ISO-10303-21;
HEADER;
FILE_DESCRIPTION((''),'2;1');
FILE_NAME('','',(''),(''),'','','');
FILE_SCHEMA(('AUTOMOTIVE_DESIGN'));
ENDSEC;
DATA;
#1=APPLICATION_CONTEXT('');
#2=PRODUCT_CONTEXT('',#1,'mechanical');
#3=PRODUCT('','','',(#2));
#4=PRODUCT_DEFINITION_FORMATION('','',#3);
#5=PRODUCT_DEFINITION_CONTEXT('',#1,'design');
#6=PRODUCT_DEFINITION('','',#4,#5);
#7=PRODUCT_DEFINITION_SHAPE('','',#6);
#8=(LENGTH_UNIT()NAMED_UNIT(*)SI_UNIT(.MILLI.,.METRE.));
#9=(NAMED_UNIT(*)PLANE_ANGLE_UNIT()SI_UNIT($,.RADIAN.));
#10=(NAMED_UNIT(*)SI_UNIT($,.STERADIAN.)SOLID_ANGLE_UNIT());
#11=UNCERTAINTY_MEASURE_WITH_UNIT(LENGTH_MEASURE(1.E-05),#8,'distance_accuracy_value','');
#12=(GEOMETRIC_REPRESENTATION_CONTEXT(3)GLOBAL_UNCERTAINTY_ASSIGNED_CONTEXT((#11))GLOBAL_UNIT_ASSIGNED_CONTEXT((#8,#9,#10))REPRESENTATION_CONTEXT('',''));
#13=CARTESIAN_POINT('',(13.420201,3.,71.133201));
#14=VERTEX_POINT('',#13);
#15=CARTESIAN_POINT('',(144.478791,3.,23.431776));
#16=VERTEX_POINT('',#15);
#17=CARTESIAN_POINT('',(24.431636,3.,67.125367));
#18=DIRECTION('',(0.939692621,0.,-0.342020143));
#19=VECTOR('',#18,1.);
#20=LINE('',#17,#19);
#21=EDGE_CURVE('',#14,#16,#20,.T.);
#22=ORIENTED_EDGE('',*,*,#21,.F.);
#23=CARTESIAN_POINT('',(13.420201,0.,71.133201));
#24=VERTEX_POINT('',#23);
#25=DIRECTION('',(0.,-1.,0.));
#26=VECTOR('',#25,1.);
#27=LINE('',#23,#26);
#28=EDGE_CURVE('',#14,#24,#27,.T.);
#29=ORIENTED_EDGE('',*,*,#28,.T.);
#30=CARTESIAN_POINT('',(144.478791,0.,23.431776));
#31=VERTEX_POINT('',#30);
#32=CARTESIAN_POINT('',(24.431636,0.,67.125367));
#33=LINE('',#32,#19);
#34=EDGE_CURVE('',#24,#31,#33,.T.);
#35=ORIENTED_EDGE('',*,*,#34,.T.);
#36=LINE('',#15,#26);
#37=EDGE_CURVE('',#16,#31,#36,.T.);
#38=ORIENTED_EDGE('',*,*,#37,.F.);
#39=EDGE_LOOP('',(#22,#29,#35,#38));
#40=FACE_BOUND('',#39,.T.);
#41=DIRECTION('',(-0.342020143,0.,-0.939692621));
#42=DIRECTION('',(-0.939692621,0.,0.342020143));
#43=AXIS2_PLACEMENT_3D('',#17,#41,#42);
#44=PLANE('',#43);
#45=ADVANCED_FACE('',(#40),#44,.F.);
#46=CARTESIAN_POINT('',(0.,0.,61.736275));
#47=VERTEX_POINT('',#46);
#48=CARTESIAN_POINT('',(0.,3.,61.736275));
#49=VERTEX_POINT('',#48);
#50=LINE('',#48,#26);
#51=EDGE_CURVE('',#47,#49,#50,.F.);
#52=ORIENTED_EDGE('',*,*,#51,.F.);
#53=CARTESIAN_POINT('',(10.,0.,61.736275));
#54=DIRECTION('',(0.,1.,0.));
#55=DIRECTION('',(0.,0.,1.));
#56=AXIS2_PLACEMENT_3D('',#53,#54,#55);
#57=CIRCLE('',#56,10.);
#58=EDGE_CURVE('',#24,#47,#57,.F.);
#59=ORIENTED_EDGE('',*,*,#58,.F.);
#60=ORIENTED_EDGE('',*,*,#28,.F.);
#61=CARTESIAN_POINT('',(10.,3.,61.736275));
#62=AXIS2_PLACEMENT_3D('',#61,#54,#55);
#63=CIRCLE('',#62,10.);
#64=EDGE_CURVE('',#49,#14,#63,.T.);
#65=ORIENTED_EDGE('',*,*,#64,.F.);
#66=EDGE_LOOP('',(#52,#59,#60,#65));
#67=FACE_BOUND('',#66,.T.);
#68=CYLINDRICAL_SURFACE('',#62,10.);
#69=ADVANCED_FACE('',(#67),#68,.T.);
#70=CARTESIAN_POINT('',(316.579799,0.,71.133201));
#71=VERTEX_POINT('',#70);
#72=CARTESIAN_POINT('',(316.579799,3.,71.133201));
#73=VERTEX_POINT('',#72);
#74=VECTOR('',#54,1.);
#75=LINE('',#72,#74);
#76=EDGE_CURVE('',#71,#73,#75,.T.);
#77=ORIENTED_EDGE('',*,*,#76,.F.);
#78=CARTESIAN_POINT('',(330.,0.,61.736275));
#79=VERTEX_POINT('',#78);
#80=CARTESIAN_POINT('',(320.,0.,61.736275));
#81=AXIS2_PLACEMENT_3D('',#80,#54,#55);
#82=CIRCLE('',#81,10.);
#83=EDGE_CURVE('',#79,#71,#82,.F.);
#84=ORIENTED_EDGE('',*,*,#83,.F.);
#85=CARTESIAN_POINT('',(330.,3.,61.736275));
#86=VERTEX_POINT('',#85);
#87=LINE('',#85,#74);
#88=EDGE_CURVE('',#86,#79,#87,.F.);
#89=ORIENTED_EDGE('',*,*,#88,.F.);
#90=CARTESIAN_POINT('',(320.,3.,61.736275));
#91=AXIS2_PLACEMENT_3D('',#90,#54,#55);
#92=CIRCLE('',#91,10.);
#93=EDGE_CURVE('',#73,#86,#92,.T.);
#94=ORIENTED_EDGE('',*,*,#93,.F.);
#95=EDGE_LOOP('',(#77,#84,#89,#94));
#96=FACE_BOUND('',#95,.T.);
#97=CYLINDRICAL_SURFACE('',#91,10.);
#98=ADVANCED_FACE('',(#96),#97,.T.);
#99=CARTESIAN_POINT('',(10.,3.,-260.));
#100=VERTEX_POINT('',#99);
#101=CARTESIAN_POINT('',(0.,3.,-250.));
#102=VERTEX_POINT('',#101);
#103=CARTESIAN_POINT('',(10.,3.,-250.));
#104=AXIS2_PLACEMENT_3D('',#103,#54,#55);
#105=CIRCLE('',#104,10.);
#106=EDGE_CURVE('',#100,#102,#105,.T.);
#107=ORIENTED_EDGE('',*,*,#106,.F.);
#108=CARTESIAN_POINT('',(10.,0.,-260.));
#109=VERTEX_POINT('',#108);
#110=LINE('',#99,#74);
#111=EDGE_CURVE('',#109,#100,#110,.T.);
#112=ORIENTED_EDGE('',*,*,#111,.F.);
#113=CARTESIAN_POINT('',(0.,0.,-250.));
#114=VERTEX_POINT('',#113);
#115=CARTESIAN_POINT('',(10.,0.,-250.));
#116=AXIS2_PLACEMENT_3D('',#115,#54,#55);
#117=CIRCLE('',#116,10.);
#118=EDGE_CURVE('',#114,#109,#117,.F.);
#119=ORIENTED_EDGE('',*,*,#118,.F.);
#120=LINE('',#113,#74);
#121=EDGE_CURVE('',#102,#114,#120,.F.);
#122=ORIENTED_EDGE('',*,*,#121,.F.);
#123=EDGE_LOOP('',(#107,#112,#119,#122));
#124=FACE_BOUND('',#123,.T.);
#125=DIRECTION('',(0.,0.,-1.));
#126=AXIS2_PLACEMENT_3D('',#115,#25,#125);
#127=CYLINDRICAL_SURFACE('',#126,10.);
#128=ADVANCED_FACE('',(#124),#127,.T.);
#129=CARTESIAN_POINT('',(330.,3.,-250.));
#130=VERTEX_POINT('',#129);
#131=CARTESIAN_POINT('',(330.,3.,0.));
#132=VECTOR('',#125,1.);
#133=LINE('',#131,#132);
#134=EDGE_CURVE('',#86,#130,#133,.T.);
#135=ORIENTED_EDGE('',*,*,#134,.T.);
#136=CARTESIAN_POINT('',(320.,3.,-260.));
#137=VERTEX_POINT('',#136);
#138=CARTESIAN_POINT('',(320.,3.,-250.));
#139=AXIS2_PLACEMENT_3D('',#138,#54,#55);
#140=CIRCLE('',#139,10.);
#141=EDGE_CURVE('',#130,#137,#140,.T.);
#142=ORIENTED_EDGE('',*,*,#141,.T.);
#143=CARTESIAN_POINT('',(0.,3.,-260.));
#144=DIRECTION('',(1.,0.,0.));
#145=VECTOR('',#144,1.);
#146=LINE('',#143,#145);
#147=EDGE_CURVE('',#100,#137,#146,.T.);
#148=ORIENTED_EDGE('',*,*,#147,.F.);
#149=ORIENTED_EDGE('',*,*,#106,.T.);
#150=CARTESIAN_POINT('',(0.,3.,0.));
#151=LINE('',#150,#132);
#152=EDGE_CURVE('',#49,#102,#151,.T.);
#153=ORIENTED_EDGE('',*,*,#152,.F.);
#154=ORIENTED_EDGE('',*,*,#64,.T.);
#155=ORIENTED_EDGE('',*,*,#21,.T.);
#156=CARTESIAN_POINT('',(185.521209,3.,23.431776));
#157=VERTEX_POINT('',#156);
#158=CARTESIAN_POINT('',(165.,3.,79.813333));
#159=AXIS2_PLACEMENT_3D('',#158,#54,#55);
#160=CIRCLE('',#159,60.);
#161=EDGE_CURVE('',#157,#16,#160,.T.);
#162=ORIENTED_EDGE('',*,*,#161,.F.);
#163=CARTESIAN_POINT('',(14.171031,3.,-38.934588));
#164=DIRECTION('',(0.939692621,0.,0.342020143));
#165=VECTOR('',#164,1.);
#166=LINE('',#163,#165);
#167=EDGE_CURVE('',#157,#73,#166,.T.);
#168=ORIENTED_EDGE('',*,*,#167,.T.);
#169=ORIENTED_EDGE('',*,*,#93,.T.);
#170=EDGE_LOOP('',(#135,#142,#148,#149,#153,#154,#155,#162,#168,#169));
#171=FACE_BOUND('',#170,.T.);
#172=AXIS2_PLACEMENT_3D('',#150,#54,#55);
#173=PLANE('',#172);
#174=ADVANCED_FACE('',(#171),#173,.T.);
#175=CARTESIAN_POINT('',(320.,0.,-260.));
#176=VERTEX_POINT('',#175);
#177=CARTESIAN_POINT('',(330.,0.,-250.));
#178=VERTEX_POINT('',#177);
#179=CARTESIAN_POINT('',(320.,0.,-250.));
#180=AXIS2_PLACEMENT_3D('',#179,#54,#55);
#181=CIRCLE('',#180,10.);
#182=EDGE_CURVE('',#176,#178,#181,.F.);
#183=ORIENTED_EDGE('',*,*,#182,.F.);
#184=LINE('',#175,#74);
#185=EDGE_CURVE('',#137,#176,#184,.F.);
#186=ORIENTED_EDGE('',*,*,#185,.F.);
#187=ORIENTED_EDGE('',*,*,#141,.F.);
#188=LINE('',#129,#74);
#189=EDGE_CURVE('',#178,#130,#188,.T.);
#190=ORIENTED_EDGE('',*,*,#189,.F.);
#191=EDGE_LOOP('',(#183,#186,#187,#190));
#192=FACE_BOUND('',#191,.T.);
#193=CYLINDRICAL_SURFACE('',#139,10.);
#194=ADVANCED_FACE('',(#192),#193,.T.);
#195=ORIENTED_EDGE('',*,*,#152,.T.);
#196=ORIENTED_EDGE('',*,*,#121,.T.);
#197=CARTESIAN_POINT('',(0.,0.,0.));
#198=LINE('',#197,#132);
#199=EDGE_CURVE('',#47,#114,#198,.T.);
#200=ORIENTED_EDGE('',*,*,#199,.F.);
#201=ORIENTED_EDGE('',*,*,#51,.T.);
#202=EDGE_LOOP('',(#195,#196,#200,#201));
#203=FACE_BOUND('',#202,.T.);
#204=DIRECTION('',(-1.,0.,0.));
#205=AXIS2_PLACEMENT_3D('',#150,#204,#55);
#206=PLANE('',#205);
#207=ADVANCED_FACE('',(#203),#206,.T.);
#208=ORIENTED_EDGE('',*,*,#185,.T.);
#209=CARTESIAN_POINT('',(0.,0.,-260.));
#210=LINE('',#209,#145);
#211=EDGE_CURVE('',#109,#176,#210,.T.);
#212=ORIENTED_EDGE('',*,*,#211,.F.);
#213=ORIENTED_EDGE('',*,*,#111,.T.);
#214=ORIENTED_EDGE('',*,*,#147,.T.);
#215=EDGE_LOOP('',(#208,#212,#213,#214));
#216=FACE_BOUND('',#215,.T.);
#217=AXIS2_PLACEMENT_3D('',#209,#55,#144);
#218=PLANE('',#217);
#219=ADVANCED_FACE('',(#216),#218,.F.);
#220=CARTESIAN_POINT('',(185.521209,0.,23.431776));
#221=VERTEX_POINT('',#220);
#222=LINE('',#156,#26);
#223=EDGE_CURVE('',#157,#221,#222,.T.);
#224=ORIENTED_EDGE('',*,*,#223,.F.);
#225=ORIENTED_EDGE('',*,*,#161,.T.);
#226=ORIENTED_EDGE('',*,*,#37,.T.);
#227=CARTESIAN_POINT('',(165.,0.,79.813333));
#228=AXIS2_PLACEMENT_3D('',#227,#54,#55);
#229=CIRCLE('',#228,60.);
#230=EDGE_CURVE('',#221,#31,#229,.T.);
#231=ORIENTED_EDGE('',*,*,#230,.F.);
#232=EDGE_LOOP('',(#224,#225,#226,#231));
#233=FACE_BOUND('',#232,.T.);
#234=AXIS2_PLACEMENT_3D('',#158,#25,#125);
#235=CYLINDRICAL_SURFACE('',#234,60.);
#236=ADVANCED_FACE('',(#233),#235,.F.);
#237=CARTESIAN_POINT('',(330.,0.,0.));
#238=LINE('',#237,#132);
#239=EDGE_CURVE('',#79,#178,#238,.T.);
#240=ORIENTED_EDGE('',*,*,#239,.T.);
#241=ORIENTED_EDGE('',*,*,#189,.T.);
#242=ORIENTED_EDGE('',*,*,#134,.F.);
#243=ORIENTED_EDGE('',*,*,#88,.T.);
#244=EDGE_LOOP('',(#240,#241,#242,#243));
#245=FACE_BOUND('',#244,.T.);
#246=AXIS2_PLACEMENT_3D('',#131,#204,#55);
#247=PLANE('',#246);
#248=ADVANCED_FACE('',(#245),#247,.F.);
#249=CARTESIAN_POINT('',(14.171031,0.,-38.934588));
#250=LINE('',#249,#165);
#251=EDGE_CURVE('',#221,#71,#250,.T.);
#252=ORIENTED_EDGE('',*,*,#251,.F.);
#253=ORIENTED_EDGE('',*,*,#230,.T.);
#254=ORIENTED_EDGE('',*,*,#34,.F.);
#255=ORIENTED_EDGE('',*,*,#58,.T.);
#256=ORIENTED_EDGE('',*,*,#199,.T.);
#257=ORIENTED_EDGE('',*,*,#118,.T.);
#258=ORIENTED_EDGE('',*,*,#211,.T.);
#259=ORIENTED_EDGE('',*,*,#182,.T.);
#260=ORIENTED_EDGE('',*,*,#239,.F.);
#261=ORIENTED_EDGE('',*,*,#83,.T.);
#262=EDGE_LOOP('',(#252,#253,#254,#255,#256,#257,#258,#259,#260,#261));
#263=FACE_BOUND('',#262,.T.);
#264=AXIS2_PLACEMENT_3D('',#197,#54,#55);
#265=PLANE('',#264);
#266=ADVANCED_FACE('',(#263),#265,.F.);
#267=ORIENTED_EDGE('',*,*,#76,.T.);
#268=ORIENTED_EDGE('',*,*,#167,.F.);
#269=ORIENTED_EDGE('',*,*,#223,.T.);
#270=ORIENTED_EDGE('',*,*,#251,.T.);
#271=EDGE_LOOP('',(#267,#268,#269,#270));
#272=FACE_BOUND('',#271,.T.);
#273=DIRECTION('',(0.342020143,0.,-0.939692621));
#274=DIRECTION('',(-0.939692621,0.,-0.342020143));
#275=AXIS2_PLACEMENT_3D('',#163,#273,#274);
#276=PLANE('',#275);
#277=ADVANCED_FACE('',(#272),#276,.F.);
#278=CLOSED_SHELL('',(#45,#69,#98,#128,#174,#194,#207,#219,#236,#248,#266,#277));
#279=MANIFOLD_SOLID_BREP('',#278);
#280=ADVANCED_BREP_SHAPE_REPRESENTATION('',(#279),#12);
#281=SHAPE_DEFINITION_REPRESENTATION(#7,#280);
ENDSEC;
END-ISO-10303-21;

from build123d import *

# Parameters (mm, degrees)
BOSS_EXTRUDE1_DEPTH = 3
CUT_EXTRUDE3_DEPTH  = 535.143239216
SKETCH6_W           = 330
SKETCH6_H           = 70
CUT_EXTRUDE4_DEPTH  = 467.700117849
FILLET1_R           = 10


with BuildPart() as part:
    # Sketch3 → Boss-Extrude1 (new body)
    with BuildSketch(Plane(origin=(0, 0, 0), x_dir=(1, 0, 0), z_dir=(0, 1, 0))):
        with BuildLine():
            Line((-36.319194267, -89.236860887), (144.478790315, -23.431776084))
            ThreePointArc((144.478790315, -23.431776084), (165.000000077, -19.813332936), (185.52120983, -23.431776136))
            Line((185.52120983, -23.431776136), (366.319192052, -89.236860081))
            ThreePointArc((366.319192052, -89.236860081), (416.877444894, -67.142834059), (397.269838057, -15.569346002))
            Line((397.269838057, -15.569346002), (344.206351456, 9.829836443))
            ThreePointArc((344.206351456, 9.829836443), (333.847680817, 19.053826006), (330, 32.379717841))
            Line((330, 32.379717841), (330, 330))
            Line((330, 330), (0, 330))
            Line((0, 330), (0, 32.379717841))
            ThreePointArc((0, 32.379717841), (-3.847681031, 19.053825667), (-14.206352179, 9.829836096))
            Line((-14.206352179, 9.829836096), (-67.269835876, -15.569344958))
            ThreePointArc((-67.269835876, -15.569344958), (-86.877445819, -67.142831858), (-36.319194267, -89.236860887))
        make_face()
    extrude(amount=BOSS_EXTRUDE1_DEPTH)

    # Sketch5 → Cut-Extrude3 (cut, through all)
    with BuildSketch(Plane(origin=(0, 0, 0), x_dir=(1, 0, 0), z_dir=(0, 1, 0))):
        Polygon((330, -1291.92309226), (330, -91.649156055), (330, 58.350843945), (420, 58.350843945), (420, -91.649156055), (-90, -91.649156055), (-90, 58.350843945), (0, 58.350843945), (0, -91.649156055), (0, -1291.92309226), (0, -3692.47096467), (330, -3692.47096467), align=None)
    extrude(amount=CUT_EXTRUDE3_DEPTH, mode=Mode.SUBTRACT)


with BuildPart() as cut_extrude3_kept_piece:
    # of the separate pieces the step leaves, the one the design keeps (cut_extrude3_pieces_kept)
    add(part.part.solids().sort_by_distance((0, 0, -330))[0])

    # Sketch6 → Cut-Extrude4 (cut, through all)
    with BuildSketch(Plane(origin=(0, 3, 0), x_dir=(1, 0, 0), z_dir=(0, 1, 0))):
        with Locations((165, 295)):
            Rectangle(SKETCH6_W, SKETCH6_H)
    extrude(amount=-CUT_EXTRUDE4_DEPTH, mode=Mode.SUBTRACT)

    # Fillet1
    fillet1_edges = [cut_extrude3_kept_piece.edges().sort_by_distance(p)[0] for p in [
        (330, 1.5, 76.017755241),
        (0, 1.5, -260),
        (330, 1.5, -260),
        (0, 1.5, 76.017755241),
    ]]
    fillet(fillet1_edges, radius=FILLET1_R)


solid = cut_extrude3_kept_piece.part
